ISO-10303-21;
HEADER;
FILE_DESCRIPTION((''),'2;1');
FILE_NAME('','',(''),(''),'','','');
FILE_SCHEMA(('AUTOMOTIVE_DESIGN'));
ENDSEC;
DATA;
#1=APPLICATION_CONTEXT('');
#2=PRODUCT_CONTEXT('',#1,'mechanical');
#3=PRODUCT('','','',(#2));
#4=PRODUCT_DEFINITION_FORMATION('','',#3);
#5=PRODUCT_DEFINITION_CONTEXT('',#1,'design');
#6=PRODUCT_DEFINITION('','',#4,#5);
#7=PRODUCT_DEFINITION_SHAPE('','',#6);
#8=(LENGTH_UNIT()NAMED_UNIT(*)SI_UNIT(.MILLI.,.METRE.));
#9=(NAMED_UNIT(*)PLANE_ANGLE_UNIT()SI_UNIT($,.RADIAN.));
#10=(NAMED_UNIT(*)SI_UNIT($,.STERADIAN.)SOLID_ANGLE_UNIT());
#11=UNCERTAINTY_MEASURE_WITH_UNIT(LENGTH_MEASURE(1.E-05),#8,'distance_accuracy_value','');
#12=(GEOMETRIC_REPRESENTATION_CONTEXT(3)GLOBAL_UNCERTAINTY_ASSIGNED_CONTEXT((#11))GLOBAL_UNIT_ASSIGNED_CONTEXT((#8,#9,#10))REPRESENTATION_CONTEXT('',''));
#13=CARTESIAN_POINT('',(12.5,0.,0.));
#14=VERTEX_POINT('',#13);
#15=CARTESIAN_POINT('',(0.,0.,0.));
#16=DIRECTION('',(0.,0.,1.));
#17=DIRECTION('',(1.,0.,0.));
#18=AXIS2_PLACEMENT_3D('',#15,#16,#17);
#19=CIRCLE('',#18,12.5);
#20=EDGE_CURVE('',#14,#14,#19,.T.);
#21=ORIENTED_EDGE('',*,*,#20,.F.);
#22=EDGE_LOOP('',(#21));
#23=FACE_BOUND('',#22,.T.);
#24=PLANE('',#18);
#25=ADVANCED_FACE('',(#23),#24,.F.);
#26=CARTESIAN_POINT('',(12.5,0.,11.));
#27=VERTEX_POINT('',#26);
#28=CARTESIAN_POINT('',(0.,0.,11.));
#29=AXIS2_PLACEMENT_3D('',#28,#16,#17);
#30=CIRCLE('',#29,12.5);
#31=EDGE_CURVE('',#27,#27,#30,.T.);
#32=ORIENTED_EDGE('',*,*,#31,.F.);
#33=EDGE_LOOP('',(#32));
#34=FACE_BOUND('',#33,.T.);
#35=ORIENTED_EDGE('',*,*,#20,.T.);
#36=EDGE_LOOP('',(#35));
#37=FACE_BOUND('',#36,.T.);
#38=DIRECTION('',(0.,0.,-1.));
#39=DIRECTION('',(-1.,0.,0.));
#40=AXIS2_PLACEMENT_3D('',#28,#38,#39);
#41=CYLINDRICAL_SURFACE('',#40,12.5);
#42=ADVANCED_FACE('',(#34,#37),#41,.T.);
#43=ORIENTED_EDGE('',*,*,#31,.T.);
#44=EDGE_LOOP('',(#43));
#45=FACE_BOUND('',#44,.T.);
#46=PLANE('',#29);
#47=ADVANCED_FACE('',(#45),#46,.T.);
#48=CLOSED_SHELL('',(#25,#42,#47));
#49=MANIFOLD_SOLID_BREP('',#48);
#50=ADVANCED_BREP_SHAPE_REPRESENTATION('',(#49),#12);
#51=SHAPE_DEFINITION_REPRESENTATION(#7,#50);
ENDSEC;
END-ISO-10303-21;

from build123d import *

# Parameters (mm, degrees)
SKETCH1_R           = 12.5
BOSS_EXTRUDE1_DEPTH = 11


with BuildPart() as part:
    # Sketch1 → Boss-Extrude1 (new body)
    with BuildSketch(Plane.XY):
        Circle(SKETCH1_R)
    extrude(amount=BOSS_EXTRUDE1_DEPTH)


solid = part.part
